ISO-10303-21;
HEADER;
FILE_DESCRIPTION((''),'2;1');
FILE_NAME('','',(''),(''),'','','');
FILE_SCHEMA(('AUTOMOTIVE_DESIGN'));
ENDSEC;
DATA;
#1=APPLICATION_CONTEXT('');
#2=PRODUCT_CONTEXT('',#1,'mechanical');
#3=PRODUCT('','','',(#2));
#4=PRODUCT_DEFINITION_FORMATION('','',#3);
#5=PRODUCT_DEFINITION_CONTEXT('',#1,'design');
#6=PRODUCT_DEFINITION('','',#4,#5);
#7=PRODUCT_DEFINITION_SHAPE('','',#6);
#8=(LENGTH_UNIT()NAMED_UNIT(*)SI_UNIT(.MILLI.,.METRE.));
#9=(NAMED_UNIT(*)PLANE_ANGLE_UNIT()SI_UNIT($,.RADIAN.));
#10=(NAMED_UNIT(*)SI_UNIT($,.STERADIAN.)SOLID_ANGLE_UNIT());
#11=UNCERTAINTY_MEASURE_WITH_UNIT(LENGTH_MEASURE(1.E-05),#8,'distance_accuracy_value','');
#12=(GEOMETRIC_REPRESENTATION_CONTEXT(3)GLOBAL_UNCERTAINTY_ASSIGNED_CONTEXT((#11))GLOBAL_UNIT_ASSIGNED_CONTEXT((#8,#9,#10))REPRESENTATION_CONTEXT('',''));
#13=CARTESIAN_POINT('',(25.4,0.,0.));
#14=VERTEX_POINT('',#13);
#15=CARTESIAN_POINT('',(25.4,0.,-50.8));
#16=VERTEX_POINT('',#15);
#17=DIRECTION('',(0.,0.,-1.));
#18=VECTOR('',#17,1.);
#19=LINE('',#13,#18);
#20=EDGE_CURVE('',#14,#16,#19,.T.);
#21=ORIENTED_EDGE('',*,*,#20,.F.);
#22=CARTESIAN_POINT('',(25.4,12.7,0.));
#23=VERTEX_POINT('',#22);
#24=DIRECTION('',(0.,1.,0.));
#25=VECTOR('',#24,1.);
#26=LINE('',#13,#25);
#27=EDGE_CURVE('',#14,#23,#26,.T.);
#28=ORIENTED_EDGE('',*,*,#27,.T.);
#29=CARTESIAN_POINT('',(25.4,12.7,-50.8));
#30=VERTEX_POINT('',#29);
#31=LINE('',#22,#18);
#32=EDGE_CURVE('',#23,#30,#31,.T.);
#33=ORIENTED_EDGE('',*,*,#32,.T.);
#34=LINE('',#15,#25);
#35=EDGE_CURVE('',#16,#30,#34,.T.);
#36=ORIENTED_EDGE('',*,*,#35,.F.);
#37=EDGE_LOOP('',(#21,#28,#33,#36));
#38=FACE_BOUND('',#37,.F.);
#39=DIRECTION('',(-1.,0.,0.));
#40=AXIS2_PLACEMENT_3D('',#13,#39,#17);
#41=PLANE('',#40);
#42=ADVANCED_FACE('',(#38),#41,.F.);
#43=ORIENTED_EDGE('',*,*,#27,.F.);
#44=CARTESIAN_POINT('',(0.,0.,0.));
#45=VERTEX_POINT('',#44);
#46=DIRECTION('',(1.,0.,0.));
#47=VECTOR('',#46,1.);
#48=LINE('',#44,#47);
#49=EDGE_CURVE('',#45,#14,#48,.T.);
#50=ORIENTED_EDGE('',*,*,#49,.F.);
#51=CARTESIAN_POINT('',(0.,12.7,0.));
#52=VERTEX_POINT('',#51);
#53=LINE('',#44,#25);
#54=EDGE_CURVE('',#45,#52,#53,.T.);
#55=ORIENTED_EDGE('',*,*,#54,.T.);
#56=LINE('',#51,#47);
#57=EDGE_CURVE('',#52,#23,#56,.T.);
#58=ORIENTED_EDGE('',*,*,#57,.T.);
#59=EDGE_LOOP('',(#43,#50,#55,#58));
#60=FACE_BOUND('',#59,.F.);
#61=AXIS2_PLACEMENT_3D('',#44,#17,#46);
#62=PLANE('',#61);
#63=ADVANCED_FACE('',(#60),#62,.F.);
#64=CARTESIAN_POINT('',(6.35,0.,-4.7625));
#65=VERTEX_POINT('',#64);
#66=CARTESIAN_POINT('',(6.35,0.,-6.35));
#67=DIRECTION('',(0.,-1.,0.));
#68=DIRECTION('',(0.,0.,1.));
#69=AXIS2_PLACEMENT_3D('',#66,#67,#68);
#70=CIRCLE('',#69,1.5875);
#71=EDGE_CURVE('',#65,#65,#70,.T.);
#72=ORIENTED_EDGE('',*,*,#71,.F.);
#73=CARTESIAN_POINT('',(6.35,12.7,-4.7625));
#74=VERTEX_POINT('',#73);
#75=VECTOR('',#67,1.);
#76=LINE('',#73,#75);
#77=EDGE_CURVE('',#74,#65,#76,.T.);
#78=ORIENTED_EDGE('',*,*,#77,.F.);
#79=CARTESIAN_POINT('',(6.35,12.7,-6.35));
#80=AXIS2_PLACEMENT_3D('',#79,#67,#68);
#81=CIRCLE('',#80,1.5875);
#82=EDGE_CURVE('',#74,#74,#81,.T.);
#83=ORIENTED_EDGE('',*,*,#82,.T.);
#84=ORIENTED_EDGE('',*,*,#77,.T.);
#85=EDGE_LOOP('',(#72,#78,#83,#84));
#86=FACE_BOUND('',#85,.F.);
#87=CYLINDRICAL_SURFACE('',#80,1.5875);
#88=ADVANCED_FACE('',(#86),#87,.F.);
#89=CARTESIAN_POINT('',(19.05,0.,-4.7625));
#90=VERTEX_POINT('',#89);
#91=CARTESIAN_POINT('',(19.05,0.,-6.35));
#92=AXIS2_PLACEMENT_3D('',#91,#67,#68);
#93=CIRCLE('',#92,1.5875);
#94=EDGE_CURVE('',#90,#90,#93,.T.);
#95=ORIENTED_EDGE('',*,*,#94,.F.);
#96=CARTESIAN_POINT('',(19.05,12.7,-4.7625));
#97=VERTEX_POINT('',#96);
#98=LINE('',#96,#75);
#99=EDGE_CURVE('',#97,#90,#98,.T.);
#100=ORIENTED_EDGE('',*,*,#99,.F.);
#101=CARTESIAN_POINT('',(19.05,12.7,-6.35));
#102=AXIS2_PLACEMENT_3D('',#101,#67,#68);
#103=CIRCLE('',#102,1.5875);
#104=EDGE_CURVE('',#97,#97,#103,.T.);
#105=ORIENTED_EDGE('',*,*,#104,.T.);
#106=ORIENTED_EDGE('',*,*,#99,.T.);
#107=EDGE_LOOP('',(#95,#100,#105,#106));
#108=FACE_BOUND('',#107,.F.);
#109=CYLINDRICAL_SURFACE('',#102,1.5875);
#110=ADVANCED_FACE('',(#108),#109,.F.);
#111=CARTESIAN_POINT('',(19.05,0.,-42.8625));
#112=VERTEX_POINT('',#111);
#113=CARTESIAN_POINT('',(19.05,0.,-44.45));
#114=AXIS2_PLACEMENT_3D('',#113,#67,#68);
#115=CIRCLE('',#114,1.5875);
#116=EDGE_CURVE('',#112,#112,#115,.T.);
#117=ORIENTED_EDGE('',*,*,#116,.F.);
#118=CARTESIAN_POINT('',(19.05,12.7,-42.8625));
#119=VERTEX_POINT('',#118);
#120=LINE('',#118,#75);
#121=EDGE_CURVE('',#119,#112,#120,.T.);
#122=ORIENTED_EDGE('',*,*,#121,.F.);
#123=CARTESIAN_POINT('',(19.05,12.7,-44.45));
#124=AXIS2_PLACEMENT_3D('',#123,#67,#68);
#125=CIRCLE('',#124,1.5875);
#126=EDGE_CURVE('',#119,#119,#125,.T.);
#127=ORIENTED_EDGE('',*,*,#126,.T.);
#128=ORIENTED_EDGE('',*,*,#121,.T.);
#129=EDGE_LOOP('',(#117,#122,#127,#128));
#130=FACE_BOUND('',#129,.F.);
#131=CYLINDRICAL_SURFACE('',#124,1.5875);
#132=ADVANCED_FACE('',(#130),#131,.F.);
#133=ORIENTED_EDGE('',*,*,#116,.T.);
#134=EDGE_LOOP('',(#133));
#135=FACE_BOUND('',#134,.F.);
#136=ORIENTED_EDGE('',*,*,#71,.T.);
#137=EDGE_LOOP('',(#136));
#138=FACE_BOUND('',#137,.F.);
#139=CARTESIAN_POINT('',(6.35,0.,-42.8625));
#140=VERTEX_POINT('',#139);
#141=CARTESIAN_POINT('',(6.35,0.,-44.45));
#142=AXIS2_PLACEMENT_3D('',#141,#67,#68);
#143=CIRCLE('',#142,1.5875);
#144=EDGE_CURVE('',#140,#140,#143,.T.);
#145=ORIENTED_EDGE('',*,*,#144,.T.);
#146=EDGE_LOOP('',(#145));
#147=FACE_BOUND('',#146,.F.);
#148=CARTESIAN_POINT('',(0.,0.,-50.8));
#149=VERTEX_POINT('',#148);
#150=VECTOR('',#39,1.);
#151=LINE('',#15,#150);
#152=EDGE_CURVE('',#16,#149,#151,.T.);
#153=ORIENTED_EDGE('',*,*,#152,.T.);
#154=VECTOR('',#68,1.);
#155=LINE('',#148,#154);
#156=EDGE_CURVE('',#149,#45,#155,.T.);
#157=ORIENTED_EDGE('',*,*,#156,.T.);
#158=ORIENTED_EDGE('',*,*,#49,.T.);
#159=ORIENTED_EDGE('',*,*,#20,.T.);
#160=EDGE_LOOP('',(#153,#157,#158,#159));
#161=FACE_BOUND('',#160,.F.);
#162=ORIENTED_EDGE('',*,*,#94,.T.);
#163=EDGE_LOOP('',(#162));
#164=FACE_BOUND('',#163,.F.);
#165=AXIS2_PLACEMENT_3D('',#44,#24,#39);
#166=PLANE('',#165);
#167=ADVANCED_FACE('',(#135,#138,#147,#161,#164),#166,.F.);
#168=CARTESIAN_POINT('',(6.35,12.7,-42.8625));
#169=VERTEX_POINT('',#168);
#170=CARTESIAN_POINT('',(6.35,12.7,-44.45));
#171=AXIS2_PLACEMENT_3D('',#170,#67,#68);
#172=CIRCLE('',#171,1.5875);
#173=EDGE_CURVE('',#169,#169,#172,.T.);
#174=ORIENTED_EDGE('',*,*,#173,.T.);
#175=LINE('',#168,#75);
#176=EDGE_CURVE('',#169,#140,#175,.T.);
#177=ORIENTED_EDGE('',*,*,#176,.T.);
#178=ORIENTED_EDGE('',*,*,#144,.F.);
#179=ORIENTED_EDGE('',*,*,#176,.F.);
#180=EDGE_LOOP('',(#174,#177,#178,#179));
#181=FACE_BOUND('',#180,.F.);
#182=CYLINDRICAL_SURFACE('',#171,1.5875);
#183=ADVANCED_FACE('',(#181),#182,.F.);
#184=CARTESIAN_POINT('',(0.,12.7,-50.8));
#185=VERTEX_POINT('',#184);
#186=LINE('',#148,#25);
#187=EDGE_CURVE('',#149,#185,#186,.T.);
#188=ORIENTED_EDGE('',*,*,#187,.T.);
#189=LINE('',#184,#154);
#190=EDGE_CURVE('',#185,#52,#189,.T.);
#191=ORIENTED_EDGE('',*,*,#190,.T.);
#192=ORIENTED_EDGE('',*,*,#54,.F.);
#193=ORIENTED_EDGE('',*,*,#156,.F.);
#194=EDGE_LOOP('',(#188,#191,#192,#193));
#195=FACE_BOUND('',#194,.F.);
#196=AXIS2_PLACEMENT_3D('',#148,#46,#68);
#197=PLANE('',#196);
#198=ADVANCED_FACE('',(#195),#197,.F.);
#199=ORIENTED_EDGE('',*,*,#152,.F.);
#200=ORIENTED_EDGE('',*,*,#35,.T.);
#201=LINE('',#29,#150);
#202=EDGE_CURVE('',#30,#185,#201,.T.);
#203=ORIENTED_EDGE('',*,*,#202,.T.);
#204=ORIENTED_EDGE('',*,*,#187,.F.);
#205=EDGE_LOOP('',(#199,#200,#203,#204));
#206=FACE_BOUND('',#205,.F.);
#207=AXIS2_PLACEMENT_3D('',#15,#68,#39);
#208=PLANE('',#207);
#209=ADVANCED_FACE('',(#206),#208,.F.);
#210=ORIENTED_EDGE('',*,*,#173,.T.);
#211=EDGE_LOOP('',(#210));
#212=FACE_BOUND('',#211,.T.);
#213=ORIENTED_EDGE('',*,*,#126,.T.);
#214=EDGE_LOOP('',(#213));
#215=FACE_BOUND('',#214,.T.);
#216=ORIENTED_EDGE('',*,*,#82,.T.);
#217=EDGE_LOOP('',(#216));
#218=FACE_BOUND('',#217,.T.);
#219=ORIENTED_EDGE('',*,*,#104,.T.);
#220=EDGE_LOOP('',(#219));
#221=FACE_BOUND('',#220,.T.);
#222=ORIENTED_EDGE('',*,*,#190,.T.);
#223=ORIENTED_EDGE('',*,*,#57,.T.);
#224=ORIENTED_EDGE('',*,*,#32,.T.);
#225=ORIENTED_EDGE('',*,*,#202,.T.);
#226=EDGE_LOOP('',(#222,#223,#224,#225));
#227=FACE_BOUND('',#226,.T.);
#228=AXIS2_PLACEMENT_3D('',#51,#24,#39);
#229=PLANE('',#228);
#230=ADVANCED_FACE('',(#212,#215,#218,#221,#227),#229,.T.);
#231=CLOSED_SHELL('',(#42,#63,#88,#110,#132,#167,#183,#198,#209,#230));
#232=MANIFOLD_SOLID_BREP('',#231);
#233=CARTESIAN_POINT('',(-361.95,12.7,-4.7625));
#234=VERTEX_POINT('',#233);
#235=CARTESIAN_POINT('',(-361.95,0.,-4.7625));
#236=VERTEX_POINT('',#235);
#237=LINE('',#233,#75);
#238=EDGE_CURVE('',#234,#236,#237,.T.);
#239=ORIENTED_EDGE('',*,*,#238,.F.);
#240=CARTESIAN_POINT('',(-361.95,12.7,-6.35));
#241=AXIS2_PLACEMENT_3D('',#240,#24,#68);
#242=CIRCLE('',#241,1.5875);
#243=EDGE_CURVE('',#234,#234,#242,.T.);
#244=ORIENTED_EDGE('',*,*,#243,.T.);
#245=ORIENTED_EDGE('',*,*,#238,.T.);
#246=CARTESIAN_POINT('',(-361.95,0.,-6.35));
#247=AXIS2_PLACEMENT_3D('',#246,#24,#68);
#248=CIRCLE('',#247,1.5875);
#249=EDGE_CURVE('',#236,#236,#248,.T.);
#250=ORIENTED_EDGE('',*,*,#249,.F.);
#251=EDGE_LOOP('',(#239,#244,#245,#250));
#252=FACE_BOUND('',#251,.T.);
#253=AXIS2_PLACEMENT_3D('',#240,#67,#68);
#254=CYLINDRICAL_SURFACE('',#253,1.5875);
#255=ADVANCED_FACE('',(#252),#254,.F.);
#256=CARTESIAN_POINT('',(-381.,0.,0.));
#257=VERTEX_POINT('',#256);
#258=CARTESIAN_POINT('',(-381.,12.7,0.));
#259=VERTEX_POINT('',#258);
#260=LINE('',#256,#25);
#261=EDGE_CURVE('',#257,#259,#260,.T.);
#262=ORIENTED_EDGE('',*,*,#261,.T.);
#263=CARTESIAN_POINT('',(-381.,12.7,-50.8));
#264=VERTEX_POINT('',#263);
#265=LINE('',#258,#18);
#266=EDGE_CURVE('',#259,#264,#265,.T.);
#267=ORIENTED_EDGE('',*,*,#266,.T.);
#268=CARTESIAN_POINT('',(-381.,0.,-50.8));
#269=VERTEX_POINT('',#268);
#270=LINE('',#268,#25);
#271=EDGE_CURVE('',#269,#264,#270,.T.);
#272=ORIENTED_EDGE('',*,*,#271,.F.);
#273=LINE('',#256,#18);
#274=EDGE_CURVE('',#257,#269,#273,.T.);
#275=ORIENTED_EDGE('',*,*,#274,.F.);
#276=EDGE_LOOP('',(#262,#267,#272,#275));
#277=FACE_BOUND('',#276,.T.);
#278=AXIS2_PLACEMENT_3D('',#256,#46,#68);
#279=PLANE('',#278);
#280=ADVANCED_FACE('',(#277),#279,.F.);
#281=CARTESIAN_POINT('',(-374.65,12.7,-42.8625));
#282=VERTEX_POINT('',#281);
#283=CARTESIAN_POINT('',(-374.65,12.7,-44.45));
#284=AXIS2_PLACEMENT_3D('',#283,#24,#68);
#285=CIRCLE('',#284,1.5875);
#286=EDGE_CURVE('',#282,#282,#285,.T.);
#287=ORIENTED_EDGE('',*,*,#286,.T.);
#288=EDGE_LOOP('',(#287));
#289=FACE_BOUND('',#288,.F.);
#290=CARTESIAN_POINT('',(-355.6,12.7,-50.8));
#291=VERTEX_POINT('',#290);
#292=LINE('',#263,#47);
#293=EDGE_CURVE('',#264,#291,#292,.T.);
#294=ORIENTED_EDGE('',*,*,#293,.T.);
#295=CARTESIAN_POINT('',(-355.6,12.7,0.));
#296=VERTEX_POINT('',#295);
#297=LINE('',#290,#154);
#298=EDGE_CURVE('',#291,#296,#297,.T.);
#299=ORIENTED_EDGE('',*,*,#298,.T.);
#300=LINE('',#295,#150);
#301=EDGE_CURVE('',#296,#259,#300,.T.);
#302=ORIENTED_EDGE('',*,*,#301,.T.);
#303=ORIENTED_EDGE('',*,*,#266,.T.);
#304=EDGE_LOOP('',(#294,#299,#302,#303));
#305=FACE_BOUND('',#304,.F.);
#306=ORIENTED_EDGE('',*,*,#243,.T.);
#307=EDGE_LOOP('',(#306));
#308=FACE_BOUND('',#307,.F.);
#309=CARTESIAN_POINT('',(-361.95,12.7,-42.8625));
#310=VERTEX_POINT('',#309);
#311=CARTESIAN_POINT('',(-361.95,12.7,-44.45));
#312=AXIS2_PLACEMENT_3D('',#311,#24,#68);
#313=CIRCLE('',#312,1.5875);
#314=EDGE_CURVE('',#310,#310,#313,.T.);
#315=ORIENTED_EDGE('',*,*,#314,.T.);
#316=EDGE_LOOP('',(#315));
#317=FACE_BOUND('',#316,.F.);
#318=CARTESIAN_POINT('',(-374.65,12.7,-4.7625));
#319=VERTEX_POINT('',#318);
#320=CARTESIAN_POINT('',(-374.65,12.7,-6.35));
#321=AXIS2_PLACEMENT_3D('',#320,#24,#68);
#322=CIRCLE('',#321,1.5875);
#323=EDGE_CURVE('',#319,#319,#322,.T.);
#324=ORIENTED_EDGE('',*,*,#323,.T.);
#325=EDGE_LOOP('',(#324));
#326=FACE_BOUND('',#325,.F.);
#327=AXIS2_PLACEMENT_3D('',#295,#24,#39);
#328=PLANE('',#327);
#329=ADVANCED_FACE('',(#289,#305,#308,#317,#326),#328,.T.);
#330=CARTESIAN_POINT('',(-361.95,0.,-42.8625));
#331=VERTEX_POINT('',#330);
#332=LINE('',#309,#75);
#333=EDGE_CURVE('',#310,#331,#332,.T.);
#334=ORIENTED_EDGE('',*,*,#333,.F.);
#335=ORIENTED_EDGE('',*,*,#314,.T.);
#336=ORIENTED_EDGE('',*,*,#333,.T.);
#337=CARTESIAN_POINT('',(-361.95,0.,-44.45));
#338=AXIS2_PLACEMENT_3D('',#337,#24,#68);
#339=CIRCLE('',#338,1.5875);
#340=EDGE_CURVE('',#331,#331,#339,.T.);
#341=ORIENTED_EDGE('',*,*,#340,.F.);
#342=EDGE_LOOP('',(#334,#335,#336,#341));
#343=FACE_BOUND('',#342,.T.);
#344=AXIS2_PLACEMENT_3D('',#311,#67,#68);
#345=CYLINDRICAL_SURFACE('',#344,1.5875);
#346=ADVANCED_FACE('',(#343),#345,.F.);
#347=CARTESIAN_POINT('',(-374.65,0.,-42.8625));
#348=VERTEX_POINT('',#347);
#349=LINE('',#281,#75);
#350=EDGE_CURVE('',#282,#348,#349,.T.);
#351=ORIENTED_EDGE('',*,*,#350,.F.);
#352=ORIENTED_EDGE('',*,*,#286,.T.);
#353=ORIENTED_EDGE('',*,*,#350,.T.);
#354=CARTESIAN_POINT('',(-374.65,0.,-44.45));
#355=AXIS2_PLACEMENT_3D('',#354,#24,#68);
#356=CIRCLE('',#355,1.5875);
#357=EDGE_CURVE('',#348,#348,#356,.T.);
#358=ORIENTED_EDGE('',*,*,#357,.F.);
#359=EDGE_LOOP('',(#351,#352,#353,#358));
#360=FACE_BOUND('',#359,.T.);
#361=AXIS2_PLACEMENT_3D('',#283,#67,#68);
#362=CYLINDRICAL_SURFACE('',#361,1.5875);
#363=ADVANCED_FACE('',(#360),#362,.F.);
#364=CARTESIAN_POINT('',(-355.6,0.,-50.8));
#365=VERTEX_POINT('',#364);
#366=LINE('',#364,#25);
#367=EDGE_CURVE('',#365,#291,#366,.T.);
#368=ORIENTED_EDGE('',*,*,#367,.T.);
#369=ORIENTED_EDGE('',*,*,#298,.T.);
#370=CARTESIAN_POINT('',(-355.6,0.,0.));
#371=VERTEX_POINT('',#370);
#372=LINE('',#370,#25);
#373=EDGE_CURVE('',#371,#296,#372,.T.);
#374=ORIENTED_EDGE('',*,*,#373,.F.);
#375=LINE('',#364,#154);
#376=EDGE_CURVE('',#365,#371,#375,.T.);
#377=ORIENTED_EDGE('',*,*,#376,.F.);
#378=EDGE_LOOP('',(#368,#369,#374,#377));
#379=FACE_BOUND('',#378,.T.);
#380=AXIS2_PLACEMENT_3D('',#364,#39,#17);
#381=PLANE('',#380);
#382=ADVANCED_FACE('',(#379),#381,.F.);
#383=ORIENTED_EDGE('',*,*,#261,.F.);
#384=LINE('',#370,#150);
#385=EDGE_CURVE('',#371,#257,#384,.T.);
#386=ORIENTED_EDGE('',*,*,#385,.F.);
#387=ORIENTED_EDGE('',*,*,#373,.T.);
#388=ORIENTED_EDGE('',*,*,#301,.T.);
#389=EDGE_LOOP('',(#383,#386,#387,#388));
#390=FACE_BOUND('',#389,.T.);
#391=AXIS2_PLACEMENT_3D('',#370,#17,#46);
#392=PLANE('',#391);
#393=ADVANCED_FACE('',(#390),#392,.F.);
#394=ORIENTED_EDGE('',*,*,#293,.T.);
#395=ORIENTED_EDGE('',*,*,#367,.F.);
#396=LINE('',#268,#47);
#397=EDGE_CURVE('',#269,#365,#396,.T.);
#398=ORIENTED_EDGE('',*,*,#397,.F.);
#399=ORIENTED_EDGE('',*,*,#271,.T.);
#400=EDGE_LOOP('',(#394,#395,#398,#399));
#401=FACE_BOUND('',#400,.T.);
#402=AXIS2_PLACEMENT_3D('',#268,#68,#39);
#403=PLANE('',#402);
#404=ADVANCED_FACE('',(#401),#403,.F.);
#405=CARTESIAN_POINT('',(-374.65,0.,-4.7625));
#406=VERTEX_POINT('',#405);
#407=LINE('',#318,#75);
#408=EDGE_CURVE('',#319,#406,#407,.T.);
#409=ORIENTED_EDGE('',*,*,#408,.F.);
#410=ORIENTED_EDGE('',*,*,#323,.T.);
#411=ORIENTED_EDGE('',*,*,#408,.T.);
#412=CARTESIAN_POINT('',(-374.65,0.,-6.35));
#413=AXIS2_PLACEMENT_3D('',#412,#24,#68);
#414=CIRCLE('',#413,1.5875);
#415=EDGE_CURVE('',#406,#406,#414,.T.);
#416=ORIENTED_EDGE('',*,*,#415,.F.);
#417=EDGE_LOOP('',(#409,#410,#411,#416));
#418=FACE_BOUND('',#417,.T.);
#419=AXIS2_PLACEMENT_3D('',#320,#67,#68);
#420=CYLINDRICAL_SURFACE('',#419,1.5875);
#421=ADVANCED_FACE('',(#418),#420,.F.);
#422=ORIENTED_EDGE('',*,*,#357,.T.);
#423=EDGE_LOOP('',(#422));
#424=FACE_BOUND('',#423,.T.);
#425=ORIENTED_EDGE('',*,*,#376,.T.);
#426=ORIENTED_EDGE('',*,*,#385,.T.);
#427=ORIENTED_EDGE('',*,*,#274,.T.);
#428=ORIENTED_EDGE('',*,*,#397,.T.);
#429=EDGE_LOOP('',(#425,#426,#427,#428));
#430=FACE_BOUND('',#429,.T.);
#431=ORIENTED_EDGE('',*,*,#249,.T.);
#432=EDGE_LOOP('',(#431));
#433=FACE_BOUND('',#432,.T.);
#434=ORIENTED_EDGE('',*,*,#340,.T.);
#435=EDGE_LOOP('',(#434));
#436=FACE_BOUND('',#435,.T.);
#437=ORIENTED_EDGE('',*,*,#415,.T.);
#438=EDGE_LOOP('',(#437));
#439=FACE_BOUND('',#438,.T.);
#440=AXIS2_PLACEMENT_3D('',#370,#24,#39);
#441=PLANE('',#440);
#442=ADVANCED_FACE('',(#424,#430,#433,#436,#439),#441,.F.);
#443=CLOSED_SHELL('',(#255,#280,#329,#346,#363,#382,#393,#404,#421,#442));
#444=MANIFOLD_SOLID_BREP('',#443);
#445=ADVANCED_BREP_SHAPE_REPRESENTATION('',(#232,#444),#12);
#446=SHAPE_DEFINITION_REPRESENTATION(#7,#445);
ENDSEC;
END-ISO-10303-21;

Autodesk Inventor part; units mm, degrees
ref_plane "YZ Plane" through (0, 0, 0) normal (1, 0, 0) x (0, 1, 0)
ref_plane "XZ Plane" through (0, 0, 0) normal (0, 1, 0) x (-1, 0, 0)
sketch "Sketch2" plane through (0, 0, 0) normal (0, 1, 0) x (-1, 0, 0)
  line L0 (0, 0) -> (-25.4, 0)
  line L1 (-25.4, 0) -> (-25.4, -50.8)
  line L2 (-25.4, -50.8) -> (0, -50.8)
  line L3 (0, -50.8) -> (0, 0)
  dimension "d0" = 50.8
  dimension "d4" = 25.4
extrude "Extrusion1" add sketch "Sketch2" along normal blind 12.7
sketch "Sketch4" plane through (0, 12.7, 0) normal (0, 1, 0) x (1, 0, 0)
  line L0 (6.35, 6.35) -> (19.05, 6.35) construction
  line L1 (19.05, 6.35) -> (19.05, 44.45) construction
  line L2 (19.05, 44.45) -> (6.35, 44.45) construction
  line L3 (6.35, 44.45) -> (6.35, 6.35) construction
  line L4 (0, 50.8) -> (0, 0) construction
  line L5 (25.4, 50.8) -> (0, 50.8) construction
  line L6 (0, 0) -> (25.4, 0) construction
  line L7 (25.4, 0) -> (25.4, 50.8) construction
  dimension "d5" = 6.35
  dimension "d6" = 6.35
  dimension "d7" = 6.35
  dimension "d8" = 6.35
hole "Hole1" at (6.35, 12.7, -6.35) at (19.05, 12.7, -6.35) at (19.05, 12.7, -44.45) at (6.35, 12.7, -44.45) direction (0, -1, 0) diameter 3.175 end through all
ref_plane "Work Plane1" through (-177.8, 0, -50.8) normal (-1, 0, 0) x (0, 0, 1)
mirror "Mirror1" about plane through (-177.8, 0, -50.8) normal (-1, 0, 0)
properties part number "Intake - Lexan Raiser  inner"
